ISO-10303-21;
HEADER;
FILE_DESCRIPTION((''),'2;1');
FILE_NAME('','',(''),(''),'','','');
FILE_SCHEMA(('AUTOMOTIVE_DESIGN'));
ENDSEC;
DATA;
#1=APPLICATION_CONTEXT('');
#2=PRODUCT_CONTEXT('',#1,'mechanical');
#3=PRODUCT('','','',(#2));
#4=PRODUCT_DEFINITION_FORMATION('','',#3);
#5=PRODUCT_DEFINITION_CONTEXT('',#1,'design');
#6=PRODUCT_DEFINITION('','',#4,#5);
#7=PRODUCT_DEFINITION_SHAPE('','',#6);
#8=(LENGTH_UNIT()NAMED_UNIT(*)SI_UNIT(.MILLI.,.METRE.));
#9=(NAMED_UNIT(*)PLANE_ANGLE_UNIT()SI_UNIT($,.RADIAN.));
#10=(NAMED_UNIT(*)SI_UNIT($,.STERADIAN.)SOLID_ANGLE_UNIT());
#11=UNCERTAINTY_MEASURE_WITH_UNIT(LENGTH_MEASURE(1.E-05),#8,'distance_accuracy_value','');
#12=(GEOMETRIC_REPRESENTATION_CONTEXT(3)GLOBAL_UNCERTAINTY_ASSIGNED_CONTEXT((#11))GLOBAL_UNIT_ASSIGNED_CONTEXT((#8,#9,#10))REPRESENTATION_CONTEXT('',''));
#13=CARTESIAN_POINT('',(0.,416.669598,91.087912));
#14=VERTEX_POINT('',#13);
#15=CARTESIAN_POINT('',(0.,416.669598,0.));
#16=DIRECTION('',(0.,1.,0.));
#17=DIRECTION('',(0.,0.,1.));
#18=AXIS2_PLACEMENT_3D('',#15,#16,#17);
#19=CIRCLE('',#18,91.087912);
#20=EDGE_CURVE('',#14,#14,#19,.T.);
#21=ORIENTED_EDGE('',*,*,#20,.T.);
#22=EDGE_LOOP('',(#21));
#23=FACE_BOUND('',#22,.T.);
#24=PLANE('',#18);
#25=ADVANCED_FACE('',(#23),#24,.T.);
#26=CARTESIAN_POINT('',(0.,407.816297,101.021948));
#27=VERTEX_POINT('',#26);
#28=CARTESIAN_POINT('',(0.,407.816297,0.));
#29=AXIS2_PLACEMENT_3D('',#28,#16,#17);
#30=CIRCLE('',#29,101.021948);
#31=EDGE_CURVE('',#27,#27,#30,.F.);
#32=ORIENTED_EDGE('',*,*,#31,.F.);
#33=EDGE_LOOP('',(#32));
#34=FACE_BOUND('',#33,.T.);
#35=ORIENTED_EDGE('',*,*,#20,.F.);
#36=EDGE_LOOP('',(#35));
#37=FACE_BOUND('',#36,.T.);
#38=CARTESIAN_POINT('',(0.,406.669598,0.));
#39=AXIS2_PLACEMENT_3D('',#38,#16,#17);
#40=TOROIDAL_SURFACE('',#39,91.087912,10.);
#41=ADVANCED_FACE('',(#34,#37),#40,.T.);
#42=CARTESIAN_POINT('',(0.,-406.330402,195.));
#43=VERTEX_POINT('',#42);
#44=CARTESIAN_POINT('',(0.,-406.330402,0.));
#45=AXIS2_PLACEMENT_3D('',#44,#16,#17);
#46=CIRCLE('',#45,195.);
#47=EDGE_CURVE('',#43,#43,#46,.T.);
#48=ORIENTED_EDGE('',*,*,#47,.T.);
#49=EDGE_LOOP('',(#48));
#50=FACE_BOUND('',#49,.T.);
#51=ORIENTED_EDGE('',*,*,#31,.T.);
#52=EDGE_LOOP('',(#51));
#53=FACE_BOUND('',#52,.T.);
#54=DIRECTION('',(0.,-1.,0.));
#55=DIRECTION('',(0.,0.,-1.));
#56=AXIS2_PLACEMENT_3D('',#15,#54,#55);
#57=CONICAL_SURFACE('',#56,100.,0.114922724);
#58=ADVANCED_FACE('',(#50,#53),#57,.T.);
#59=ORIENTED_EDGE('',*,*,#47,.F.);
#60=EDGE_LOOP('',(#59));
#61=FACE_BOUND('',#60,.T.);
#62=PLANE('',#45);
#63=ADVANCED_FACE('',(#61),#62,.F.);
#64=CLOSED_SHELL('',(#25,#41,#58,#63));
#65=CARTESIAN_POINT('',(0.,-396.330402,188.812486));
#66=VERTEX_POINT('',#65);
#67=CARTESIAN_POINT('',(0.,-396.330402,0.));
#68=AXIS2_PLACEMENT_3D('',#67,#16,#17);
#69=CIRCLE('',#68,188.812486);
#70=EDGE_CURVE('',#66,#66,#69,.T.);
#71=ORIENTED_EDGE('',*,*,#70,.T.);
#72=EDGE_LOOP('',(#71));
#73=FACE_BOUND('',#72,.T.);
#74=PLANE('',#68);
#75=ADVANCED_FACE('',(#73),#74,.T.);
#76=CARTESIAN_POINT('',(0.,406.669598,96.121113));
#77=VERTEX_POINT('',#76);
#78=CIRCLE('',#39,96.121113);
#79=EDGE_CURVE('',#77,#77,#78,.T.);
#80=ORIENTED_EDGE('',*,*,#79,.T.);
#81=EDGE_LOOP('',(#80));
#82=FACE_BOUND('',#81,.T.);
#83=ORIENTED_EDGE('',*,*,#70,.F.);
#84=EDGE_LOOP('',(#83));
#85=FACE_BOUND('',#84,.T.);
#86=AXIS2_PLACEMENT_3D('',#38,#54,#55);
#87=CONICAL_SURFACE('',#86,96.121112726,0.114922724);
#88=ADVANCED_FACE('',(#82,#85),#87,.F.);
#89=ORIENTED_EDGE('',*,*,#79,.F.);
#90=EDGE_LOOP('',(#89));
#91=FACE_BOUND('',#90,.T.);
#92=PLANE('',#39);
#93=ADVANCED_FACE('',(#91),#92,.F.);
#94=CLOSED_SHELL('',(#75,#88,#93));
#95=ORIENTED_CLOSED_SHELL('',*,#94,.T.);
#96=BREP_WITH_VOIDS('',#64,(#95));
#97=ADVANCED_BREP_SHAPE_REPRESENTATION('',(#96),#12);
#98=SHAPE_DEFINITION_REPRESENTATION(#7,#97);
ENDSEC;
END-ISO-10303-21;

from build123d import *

# Parameters (mm, degrees)
FILLET1_R = 10


with BuildPart() as part:
    # Sketch1 → Revolve1 (revolve)
    with BuildSketch(Plane.XY, mode=Mode.PRIVATE) as revolve1_sk:
        Polygon((0, 406.66959799), (0, 416.66959799), (-100, 416.66959799), (-195, -406.33040201), (0, -406.33040201), (0, -396.33040201), (-188.812485751, -396.33040201), (-96.121112726, 406.66959799), align=None)
    revolve(revolve1_sk.sketch.rotate(Axis((0, 416.66959799, 0), (0, -1, 0)), 270), axis=Axis((0, 416.66959799, 0), (0, -1, 0)))

    # Fillet1
    fillet1_edges = [part.edges().sort_by_distance(p)[0] for p in [
        (0, 416.66959799, -100),
    ]]
    fillet(fillet1_edges, radius=FILLET1_R)


solid = part.part
